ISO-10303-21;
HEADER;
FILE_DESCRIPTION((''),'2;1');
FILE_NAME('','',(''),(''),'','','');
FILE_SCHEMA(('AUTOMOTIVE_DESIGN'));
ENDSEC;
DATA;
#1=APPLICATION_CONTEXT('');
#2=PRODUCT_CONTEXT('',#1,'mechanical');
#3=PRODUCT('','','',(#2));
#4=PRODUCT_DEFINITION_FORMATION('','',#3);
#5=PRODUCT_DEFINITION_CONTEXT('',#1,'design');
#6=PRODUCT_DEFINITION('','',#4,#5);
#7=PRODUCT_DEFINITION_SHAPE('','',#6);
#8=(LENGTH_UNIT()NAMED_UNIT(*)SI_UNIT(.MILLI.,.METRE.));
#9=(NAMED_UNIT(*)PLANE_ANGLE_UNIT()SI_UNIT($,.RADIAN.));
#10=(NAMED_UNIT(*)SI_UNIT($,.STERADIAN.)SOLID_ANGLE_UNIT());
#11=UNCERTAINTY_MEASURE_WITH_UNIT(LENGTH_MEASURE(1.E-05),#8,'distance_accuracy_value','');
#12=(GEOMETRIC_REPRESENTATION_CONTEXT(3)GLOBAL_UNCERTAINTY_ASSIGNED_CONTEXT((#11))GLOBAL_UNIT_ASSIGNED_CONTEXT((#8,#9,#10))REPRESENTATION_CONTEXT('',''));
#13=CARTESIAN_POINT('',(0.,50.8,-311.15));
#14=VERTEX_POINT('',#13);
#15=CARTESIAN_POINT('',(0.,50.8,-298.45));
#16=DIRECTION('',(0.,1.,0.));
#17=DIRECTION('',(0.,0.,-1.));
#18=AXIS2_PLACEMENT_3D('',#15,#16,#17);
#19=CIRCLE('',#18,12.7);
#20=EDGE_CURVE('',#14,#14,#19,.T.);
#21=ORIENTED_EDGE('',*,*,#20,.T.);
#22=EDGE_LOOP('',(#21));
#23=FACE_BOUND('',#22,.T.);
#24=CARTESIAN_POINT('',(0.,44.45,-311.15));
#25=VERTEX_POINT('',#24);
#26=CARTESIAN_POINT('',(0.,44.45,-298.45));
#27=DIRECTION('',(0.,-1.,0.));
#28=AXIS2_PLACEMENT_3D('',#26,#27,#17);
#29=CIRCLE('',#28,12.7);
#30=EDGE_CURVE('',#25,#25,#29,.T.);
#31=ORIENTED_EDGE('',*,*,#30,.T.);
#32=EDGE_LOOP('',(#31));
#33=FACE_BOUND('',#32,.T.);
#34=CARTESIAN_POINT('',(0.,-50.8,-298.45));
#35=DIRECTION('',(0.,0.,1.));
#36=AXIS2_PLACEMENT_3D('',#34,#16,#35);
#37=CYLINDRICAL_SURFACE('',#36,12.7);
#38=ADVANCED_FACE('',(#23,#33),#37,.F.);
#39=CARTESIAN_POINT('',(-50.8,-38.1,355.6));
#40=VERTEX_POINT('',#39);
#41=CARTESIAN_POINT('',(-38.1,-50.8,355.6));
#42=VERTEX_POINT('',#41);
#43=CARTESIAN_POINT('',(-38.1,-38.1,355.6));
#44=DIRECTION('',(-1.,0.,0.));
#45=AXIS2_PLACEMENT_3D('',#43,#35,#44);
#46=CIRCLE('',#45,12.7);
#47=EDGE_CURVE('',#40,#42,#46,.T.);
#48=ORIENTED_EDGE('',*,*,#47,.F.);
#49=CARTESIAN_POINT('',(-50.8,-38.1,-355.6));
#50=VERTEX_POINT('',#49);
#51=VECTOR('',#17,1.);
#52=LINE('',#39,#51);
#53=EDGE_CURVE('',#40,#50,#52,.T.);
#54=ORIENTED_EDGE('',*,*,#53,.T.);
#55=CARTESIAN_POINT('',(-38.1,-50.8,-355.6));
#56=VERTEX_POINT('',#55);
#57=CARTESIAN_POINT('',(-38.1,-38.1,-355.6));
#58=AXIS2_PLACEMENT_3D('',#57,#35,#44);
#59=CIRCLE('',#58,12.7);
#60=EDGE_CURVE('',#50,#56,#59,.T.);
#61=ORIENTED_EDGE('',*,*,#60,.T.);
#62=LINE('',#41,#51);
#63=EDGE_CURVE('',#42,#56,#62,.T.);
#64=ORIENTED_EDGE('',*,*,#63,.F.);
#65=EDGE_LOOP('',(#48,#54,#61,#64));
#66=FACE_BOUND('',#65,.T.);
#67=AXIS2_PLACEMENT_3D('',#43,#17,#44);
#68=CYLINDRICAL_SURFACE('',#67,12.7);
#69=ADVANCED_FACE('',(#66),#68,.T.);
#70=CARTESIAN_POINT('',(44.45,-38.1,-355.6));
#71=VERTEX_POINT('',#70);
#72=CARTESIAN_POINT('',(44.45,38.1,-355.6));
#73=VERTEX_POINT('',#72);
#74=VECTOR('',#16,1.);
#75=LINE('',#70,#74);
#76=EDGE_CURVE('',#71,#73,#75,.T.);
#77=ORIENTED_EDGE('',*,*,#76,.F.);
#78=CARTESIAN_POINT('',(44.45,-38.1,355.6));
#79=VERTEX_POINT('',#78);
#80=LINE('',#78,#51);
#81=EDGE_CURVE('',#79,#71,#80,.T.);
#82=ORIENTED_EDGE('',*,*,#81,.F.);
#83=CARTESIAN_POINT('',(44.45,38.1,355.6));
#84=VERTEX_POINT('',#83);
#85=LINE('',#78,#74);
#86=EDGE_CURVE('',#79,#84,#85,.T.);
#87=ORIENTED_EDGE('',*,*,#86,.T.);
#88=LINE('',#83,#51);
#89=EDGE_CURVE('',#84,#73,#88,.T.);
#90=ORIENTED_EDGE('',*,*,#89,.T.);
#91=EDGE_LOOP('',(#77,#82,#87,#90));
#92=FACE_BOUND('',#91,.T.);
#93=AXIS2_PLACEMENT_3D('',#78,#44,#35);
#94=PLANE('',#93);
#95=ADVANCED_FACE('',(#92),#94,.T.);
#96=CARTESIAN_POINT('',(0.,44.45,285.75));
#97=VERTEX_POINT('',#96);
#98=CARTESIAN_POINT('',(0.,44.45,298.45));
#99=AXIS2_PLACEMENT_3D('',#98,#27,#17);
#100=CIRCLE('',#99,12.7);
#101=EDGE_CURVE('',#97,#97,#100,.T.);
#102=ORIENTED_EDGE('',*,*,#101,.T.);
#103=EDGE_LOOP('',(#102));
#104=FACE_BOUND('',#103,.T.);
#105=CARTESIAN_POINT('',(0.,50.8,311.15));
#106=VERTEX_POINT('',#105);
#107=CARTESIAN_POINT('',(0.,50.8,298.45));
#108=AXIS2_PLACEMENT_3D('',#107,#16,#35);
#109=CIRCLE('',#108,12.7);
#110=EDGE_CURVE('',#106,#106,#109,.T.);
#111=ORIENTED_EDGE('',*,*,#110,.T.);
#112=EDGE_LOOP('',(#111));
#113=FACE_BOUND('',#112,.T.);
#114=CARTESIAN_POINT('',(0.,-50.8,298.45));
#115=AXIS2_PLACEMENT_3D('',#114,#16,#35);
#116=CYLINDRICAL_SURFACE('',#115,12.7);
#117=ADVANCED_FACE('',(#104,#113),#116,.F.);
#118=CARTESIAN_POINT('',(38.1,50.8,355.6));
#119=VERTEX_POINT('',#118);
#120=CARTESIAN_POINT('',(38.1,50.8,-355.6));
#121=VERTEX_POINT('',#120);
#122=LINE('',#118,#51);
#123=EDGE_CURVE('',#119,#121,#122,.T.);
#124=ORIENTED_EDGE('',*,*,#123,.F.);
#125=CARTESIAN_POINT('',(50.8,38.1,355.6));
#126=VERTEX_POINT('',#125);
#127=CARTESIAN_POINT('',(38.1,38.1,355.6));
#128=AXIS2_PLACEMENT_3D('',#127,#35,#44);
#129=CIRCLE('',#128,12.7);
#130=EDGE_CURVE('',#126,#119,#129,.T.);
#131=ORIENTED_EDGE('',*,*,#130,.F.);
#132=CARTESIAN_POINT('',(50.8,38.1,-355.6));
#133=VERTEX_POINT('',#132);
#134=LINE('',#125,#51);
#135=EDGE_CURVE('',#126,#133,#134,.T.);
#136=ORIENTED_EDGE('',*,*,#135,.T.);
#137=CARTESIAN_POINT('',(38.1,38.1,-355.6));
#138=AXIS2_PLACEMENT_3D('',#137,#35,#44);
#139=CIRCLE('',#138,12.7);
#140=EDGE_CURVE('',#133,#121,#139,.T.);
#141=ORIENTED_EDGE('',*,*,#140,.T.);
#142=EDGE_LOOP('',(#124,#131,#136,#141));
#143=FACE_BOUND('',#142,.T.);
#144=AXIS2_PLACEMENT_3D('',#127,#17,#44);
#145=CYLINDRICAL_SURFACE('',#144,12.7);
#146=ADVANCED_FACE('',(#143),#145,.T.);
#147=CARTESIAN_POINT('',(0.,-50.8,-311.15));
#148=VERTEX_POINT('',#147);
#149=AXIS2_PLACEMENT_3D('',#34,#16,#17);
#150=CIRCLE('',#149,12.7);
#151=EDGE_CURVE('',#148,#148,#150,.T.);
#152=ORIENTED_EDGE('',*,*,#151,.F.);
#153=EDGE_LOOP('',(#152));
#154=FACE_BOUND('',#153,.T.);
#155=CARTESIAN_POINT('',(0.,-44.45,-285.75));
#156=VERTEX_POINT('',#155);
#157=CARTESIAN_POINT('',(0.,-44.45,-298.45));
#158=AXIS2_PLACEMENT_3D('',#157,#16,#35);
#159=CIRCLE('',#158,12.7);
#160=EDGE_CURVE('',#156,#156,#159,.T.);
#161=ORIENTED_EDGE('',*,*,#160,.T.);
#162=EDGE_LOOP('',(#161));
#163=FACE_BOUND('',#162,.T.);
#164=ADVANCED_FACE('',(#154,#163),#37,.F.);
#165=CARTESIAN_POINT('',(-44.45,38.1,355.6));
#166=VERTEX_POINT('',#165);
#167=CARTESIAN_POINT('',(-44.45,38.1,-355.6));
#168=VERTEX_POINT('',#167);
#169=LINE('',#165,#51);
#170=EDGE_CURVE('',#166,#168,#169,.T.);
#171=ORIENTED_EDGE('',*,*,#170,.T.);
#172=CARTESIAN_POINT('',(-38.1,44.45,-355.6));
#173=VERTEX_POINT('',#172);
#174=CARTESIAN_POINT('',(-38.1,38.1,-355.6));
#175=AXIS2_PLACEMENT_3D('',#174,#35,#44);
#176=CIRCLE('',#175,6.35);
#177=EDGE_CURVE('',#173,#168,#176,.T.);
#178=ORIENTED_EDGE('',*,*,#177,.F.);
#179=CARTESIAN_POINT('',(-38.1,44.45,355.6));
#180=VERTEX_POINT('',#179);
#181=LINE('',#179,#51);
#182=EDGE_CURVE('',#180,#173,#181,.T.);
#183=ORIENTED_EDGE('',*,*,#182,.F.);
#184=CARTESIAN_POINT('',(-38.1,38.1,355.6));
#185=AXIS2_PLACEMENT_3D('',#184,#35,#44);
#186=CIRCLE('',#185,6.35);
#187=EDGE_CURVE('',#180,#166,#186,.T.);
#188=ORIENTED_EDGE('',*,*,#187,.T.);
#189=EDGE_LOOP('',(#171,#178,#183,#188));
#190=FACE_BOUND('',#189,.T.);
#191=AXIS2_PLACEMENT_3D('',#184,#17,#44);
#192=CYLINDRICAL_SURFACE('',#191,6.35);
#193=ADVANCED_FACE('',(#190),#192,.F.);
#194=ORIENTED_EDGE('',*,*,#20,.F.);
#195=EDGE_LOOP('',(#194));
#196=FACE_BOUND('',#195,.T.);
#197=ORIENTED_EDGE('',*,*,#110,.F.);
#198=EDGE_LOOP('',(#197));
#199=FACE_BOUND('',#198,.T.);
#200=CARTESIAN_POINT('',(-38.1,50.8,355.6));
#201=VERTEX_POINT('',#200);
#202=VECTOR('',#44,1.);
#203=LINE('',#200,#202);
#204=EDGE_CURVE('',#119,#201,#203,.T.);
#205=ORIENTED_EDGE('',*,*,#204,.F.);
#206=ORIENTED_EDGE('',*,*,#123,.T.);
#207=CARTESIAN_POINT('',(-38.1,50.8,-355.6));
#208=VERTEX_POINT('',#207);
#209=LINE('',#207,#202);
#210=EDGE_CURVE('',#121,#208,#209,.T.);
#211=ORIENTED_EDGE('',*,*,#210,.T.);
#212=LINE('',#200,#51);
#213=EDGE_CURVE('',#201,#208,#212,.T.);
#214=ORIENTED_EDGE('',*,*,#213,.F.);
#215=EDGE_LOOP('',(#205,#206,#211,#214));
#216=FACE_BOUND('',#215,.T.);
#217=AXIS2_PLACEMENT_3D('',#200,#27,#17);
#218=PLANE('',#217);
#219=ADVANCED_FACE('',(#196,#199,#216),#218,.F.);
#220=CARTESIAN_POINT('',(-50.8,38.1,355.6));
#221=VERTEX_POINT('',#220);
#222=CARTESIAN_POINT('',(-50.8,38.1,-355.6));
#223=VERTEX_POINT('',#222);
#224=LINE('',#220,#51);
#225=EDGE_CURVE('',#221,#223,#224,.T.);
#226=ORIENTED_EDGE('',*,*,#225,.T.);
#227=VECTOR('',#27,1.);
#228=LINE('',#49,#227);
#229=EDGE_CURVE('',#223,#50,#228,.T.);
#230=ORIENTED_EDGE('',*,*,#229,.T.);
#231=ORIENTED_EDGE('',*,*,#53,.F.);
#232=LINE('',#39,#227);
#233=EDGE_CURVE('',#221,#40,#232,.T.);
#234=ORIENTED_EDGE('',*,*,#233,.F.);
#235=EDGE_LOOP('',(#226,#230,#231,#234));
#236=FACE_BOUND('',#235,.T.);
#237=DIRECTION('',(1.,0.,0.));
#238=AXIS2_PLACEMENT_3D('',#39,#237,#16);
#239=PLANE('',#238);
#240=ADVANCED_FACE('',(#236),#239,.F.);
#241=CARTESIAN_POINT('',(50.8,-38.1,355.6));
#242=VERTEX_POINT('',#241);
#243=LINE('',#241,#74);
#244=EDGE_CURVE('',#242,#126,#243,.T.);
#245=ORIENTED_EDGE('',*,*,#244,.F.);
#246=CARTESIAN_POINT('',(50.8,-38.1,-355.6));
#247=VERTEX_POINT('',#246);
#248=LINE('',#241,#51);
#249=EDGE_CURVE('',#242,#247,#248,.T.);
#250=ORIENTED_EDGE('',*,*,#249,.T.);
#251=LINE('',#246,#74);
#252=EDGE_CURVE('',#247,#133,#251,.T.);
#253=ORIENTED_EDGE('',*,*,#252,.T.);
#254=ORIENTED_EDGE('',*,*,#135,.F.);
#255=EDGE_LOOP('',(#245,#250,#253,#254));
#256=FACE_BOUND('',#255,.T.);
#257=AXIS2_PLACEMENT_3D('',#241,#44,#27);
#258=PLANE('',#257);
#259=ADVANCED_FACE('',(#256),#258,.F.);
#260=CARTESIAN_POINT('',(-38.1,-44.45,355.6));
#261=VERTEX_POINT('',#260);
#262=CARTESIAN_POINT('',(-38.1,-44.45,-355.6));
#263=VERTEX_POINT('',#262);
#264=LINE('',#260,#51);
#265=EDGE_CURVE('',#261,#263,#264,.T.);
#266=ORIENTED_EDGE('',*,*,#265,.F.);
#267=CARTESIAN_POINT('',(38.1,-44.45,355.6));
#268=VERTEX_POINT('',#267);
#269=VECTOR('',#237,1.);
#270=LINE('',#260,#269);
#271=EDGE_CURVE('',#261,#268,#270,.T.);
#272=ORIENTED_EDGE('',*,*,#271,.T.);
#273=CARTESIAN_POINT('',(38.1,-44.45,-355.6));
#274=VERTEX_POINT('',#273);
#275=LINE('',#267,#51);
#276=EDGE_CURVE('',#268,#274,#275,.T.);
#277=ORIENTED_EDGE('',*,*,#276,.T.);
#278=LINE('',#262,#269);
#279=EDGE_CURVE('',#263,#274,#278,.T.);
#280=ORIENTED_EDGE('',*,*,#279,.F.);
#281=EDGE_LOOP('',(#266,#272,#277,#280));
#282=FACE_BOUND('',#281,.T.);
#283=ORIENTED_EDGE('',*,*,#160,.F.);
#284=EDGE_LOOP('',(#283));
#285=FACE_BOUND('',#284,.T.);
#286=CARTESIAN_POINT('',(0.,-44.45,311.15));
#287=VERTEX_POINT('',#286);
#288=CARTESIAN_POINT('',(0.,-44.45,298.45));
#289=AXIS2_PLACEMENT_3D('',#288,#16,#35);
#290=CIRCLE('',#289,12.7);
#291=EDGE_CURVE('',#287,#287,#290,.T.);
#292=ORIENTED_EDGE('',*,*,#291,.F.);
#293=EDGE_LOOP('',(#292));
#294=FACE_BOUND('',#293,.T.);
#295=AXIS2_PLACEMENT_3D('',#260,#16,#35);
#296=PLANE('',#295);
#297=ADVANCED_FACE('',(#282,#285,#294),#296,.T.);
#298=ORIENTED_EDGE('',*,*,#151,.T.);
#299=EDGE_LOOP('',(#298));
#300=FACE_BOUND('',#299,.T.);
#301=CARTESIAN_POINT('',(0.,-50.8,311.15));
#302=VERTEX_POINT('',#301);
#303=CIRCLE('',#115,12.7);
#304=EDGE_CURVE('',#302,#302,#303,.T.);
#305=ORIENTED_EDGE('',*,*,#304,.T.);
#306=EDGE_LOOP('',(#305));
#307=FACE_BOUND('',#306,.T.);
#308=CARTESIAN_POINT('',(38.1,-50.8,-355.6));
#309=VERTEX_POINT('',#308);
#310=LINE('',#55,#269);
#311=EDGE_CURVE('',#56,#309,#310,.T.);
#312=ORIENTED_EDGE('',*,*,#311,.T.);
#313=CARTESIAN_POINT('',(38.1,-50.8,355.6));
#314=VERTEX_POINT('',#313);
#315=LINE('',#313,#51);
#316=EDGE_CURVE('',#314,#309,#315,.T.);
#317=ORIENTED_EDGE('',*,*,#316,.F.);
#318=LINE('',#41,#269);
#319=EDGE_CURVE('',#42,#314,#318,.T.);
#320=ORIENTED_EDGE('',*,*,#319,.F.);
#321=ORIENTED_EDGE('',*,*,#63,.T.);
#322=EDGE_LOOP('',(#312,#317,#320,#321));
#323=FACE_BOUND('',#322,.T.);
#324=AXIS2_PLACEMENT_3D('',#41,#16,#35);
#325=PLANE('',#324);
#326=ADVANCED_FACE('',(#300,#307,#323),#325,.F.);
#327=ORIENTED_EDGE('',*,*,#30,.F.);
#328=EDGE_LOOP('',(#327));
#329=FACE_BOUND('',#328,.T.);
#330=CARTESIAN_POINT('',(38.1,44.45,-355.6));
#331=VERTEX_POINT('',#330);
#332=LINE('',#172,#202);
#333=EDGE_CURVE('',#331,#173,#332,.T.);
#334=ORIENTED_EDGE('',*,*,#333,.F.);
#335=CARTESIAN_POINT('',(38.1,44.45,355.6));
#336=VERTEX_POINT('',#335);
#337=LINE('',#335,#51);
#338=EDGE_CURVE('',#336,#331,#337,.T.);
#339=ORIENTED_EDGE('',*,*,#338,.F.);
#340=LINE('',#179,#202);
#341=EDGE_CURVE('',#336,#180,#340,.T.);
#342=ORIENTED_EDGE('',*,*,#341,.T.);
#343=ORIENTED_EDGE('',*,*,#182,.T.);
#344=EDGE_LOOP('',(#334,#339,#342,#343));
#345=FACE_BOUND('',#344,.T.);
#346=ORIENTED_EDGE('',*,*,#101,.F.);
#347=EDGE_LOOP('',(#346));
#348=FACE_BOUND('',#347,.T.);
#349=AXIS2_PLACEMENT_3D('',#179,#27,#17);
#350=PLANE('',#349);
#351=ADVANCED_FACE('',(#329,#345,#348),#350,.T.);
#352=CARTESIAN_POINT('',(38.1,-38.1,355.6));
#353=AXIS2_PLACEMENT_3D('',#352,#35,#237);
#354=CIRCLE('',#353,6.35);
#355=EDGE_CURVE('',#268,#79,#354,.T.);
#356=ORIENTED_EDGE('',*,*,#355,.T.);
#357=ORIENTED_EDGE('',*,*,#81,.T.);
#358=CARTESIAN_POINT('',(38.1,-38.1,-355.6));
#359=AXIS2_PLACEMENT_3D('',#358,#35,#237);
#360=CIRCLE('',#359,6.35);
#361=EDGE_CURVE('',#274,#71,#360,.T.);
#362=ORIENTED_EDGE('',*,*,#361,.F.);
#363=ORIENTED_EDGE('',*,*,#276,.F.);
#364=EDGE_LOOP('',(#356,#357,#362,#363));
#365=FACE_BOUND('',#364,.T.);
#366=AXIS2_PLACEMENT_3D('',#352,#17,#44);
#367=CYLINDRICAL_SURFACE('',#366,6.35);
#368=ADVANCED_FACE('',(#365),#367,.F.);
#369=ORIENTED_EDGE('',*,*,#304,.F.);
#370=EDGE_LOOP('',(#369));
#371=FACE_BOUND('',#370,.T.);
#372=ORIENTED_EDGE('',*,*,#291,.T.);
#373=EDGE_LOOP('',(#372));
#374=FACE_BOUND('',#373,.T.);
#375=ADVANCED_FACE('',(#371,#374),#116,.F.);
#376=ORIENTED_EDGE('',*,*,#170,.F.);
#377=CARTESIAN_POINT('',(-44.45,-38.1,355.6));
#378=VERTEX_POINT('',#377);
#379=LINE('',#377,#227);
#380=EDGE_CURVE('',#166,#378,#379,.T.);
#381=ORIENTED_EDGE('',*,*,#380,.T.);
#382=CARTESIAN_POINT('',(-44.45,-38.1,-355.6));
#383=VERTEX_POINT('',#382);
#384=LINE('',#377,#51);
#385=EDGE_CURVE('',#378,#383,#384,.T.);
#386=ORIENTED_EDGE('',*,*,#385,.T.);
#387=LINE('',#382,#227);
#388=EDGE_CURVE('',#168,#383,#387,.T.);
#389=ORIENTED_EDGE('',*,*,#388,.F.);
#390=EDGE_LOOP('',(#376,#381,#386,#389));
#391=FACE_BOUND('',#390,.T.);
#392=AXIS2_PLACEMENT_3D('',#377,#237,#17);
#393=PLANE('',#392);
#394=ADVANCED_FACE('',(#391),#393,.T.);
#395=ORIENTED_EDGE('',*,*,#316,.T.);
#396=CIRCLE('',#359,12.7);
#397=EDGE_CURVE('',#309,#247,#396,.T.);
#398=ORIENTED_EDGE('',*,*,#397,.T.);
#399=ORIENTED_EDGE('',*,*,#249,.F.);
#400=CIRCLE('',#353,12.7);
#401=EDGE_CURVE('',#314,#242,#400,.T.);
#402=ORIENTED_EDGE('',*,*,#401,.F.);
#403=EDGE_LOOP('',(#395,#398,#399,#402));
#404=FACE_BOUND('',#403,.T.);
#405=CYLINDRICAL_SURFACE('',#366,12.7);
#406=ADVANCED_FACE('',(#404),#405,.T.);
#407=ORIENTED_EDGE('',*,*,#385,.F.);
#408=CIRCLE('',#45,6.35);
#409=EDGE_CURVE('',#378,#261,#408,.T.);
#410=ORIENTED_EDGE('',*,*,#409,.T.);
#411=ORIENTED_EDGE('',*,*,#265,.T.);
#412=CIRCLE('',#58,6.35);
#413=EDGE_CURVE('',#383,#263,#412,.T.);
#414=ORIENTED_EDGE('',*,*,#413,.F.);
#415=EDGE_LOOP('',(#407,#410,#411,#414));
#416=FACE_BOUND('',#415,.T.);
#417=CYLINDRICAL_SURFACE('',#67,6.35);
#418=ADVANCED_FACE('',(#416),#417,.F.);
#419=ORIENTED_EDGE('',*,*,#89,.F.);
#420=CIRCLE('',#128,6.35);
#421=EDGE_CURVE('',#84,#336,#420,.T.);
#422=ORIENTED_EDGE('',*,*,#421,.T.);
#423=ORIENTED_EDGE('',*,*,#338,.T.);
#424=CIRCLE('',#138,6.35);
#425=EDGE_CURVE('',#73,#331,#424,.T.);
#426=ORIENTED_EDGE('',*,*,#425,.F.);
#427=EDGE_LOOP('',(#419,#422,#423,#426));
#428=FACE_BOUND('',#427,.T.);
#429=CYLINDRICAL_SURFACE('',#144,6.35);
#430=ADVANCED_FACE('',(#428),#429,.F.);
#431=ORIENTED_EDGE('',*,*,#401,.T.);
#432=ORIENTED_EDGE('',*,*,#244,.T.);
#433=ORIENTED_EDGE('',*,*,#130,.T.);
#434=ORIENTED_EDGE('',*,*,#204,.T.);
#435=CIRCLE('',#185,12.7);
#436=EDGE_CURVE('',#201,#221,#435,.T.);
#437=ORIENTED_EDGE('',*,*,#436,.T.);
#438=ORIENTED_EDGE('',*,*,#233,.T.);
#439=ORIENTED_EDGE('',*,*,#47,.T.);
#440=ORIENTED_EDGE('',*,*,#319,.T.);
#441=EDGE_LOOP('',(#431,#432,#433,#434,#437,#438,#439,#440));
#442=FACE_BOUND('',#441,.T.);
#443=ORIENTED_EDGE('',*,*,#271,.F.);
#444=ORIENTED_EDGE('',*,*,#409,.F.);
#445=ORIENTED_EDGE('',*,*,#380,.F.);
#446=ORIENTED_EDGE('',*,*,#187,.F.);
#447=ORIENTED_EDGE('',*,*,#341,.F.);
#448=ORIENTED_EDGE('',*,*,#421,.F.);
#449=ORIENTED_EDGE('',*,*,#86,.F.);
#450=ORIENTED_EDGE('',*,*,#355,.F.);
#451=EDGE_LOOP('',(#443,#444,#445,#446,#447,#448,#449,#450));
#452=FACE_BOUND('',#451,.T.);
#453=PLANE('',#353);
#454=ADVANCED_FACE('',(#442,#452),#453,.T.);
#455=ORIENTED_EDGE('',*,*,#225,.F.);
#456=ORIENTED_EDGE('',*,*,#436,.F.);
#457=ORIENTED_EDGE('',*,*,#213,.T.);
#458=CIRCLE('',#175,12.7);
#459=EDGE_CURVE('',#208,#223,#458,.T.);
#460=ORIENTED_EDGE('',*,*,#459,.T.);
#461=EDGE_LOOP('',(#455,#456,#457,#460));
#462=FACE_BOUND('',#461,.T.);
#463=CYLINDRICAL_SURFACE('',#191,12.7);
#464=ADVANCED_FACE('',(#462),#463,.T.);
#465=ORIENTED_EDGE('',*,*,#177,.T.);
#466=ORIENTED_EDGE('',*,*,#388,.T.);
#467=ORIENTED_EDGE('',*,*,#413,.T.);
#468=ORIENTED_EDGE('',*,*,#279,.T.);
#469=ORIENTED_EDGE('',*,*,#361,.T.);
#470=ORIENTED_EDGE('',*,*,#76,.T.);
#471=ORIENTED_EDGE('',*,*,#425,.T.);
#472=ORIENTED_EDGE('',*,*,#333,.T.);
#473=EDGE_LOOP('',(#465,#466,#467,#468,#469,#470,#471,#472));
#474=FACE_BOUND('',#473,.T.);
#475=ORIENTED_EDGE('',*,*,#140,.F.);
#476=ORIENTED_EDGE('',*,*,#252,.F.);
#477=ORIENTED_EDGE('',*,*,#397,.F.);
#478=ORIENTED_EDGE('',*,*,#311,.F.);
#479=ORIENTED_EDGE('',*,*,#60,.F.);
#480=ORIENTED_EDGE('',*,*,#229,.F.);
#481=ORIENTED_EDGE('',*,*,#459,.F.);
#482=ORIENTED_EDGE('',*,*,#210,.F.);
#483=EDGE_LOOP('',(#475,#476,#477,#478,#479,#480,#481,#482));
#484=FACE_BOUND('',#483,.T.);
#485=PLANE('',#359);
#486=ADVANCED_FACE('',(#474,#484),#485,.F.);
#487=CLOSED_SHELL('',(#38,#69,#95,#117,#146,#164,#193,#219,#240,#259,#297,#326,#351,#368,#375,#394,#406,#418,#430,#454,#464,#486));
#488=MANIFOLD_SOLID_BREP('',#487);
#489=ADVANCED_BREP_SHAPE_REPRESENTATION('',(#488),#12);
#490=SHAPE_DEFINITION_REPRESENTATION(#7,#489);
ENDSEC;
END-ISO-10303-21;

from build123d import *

# Parameters (mm, degrees)
BOSS_EXTRUDE1_DEPTH = 355.6
SKETCH2_R           = 12.7
CUT_EXTRUDE1_DEPTH  = 374.3022368


with BuildPart() as part:
    # Sketch1 → Boss-Extrude1 (new, symmetric)
    with BuildSketch(Plane.XY):
        with BuildLine():
            Line((-38.1, -50.8), (38.1, -50.8))
            ThreePointArc((38.1, -50.8), (47.080256121, -47.080256121), (50.8, -38.1))
            Line((50.8, -38.1), (50.8, 38.1))
            ThreePointArc((50.8, 38.1), (47.080256121, 47.080256121), (38.1, 50.8))
            Line((38.1, 50.8), (-38.1, 50.8))
            ThreePointArc((-38.1, 50.8), (-47.080256121, 47.080256121), (-50.8, 38.1))
            Line((-50.8, 38.1), (-50.8, -38.1))
            ThreePointArc((-50.8, -38.1), (-47.080256121, -47.080256121), (-38.1, -50.8))
        make_face()
        with BuildLine():
            Line((-38.1, 44.45), (38.1, 44.45))
            ThreePointArc((38.1, 44.45), (42.590128061, 42.590128061), (44.45, 38.1))
            Line((44.45, 38.1), (44.45, -38.1))
            ThreePointArc((44.45, -38.1), (42.590128061, -42.590128061), (38.1, -44.45))
            Line((38.1, -44.45), (-38.1, -44.45))
            ThreePointArc((-38.1, -44.45), (-42.590128061, -42.590128061), (-44.45, -38.1))
            Line((-44.45, -38.1), (-44.45, 38.1))
            ThreePointArc((-44.45, 38.1), (-42.590128061, 42.590128061), (-38.1, 44.45))
        make_face(mode=Mode.SUBTRACT)
    extrude(amount=BOSS_EXTRUDE1_DEPTH, both=True)

    # Sketch2 → Cut-Extrude1 (cut, through all)
    with BuildSketch(Plane(origin=(0, 50.8, 0), x_dir=(1, 0, 0), z_dir=(0, 1, 0))):
        with Locations(Location((0, -298.45, 0), (0, 0, 270))):
            Circle(SKETCH2_R)
        with Locations(Location((0, 298.45, 0), (0, 0, 90))):
            Circle(SKETCH2_R)
    extrude(amount=-CUT_EXTRUDE1_DEPTH, mode=Mode.SUBTRACT)


solid = part.part
